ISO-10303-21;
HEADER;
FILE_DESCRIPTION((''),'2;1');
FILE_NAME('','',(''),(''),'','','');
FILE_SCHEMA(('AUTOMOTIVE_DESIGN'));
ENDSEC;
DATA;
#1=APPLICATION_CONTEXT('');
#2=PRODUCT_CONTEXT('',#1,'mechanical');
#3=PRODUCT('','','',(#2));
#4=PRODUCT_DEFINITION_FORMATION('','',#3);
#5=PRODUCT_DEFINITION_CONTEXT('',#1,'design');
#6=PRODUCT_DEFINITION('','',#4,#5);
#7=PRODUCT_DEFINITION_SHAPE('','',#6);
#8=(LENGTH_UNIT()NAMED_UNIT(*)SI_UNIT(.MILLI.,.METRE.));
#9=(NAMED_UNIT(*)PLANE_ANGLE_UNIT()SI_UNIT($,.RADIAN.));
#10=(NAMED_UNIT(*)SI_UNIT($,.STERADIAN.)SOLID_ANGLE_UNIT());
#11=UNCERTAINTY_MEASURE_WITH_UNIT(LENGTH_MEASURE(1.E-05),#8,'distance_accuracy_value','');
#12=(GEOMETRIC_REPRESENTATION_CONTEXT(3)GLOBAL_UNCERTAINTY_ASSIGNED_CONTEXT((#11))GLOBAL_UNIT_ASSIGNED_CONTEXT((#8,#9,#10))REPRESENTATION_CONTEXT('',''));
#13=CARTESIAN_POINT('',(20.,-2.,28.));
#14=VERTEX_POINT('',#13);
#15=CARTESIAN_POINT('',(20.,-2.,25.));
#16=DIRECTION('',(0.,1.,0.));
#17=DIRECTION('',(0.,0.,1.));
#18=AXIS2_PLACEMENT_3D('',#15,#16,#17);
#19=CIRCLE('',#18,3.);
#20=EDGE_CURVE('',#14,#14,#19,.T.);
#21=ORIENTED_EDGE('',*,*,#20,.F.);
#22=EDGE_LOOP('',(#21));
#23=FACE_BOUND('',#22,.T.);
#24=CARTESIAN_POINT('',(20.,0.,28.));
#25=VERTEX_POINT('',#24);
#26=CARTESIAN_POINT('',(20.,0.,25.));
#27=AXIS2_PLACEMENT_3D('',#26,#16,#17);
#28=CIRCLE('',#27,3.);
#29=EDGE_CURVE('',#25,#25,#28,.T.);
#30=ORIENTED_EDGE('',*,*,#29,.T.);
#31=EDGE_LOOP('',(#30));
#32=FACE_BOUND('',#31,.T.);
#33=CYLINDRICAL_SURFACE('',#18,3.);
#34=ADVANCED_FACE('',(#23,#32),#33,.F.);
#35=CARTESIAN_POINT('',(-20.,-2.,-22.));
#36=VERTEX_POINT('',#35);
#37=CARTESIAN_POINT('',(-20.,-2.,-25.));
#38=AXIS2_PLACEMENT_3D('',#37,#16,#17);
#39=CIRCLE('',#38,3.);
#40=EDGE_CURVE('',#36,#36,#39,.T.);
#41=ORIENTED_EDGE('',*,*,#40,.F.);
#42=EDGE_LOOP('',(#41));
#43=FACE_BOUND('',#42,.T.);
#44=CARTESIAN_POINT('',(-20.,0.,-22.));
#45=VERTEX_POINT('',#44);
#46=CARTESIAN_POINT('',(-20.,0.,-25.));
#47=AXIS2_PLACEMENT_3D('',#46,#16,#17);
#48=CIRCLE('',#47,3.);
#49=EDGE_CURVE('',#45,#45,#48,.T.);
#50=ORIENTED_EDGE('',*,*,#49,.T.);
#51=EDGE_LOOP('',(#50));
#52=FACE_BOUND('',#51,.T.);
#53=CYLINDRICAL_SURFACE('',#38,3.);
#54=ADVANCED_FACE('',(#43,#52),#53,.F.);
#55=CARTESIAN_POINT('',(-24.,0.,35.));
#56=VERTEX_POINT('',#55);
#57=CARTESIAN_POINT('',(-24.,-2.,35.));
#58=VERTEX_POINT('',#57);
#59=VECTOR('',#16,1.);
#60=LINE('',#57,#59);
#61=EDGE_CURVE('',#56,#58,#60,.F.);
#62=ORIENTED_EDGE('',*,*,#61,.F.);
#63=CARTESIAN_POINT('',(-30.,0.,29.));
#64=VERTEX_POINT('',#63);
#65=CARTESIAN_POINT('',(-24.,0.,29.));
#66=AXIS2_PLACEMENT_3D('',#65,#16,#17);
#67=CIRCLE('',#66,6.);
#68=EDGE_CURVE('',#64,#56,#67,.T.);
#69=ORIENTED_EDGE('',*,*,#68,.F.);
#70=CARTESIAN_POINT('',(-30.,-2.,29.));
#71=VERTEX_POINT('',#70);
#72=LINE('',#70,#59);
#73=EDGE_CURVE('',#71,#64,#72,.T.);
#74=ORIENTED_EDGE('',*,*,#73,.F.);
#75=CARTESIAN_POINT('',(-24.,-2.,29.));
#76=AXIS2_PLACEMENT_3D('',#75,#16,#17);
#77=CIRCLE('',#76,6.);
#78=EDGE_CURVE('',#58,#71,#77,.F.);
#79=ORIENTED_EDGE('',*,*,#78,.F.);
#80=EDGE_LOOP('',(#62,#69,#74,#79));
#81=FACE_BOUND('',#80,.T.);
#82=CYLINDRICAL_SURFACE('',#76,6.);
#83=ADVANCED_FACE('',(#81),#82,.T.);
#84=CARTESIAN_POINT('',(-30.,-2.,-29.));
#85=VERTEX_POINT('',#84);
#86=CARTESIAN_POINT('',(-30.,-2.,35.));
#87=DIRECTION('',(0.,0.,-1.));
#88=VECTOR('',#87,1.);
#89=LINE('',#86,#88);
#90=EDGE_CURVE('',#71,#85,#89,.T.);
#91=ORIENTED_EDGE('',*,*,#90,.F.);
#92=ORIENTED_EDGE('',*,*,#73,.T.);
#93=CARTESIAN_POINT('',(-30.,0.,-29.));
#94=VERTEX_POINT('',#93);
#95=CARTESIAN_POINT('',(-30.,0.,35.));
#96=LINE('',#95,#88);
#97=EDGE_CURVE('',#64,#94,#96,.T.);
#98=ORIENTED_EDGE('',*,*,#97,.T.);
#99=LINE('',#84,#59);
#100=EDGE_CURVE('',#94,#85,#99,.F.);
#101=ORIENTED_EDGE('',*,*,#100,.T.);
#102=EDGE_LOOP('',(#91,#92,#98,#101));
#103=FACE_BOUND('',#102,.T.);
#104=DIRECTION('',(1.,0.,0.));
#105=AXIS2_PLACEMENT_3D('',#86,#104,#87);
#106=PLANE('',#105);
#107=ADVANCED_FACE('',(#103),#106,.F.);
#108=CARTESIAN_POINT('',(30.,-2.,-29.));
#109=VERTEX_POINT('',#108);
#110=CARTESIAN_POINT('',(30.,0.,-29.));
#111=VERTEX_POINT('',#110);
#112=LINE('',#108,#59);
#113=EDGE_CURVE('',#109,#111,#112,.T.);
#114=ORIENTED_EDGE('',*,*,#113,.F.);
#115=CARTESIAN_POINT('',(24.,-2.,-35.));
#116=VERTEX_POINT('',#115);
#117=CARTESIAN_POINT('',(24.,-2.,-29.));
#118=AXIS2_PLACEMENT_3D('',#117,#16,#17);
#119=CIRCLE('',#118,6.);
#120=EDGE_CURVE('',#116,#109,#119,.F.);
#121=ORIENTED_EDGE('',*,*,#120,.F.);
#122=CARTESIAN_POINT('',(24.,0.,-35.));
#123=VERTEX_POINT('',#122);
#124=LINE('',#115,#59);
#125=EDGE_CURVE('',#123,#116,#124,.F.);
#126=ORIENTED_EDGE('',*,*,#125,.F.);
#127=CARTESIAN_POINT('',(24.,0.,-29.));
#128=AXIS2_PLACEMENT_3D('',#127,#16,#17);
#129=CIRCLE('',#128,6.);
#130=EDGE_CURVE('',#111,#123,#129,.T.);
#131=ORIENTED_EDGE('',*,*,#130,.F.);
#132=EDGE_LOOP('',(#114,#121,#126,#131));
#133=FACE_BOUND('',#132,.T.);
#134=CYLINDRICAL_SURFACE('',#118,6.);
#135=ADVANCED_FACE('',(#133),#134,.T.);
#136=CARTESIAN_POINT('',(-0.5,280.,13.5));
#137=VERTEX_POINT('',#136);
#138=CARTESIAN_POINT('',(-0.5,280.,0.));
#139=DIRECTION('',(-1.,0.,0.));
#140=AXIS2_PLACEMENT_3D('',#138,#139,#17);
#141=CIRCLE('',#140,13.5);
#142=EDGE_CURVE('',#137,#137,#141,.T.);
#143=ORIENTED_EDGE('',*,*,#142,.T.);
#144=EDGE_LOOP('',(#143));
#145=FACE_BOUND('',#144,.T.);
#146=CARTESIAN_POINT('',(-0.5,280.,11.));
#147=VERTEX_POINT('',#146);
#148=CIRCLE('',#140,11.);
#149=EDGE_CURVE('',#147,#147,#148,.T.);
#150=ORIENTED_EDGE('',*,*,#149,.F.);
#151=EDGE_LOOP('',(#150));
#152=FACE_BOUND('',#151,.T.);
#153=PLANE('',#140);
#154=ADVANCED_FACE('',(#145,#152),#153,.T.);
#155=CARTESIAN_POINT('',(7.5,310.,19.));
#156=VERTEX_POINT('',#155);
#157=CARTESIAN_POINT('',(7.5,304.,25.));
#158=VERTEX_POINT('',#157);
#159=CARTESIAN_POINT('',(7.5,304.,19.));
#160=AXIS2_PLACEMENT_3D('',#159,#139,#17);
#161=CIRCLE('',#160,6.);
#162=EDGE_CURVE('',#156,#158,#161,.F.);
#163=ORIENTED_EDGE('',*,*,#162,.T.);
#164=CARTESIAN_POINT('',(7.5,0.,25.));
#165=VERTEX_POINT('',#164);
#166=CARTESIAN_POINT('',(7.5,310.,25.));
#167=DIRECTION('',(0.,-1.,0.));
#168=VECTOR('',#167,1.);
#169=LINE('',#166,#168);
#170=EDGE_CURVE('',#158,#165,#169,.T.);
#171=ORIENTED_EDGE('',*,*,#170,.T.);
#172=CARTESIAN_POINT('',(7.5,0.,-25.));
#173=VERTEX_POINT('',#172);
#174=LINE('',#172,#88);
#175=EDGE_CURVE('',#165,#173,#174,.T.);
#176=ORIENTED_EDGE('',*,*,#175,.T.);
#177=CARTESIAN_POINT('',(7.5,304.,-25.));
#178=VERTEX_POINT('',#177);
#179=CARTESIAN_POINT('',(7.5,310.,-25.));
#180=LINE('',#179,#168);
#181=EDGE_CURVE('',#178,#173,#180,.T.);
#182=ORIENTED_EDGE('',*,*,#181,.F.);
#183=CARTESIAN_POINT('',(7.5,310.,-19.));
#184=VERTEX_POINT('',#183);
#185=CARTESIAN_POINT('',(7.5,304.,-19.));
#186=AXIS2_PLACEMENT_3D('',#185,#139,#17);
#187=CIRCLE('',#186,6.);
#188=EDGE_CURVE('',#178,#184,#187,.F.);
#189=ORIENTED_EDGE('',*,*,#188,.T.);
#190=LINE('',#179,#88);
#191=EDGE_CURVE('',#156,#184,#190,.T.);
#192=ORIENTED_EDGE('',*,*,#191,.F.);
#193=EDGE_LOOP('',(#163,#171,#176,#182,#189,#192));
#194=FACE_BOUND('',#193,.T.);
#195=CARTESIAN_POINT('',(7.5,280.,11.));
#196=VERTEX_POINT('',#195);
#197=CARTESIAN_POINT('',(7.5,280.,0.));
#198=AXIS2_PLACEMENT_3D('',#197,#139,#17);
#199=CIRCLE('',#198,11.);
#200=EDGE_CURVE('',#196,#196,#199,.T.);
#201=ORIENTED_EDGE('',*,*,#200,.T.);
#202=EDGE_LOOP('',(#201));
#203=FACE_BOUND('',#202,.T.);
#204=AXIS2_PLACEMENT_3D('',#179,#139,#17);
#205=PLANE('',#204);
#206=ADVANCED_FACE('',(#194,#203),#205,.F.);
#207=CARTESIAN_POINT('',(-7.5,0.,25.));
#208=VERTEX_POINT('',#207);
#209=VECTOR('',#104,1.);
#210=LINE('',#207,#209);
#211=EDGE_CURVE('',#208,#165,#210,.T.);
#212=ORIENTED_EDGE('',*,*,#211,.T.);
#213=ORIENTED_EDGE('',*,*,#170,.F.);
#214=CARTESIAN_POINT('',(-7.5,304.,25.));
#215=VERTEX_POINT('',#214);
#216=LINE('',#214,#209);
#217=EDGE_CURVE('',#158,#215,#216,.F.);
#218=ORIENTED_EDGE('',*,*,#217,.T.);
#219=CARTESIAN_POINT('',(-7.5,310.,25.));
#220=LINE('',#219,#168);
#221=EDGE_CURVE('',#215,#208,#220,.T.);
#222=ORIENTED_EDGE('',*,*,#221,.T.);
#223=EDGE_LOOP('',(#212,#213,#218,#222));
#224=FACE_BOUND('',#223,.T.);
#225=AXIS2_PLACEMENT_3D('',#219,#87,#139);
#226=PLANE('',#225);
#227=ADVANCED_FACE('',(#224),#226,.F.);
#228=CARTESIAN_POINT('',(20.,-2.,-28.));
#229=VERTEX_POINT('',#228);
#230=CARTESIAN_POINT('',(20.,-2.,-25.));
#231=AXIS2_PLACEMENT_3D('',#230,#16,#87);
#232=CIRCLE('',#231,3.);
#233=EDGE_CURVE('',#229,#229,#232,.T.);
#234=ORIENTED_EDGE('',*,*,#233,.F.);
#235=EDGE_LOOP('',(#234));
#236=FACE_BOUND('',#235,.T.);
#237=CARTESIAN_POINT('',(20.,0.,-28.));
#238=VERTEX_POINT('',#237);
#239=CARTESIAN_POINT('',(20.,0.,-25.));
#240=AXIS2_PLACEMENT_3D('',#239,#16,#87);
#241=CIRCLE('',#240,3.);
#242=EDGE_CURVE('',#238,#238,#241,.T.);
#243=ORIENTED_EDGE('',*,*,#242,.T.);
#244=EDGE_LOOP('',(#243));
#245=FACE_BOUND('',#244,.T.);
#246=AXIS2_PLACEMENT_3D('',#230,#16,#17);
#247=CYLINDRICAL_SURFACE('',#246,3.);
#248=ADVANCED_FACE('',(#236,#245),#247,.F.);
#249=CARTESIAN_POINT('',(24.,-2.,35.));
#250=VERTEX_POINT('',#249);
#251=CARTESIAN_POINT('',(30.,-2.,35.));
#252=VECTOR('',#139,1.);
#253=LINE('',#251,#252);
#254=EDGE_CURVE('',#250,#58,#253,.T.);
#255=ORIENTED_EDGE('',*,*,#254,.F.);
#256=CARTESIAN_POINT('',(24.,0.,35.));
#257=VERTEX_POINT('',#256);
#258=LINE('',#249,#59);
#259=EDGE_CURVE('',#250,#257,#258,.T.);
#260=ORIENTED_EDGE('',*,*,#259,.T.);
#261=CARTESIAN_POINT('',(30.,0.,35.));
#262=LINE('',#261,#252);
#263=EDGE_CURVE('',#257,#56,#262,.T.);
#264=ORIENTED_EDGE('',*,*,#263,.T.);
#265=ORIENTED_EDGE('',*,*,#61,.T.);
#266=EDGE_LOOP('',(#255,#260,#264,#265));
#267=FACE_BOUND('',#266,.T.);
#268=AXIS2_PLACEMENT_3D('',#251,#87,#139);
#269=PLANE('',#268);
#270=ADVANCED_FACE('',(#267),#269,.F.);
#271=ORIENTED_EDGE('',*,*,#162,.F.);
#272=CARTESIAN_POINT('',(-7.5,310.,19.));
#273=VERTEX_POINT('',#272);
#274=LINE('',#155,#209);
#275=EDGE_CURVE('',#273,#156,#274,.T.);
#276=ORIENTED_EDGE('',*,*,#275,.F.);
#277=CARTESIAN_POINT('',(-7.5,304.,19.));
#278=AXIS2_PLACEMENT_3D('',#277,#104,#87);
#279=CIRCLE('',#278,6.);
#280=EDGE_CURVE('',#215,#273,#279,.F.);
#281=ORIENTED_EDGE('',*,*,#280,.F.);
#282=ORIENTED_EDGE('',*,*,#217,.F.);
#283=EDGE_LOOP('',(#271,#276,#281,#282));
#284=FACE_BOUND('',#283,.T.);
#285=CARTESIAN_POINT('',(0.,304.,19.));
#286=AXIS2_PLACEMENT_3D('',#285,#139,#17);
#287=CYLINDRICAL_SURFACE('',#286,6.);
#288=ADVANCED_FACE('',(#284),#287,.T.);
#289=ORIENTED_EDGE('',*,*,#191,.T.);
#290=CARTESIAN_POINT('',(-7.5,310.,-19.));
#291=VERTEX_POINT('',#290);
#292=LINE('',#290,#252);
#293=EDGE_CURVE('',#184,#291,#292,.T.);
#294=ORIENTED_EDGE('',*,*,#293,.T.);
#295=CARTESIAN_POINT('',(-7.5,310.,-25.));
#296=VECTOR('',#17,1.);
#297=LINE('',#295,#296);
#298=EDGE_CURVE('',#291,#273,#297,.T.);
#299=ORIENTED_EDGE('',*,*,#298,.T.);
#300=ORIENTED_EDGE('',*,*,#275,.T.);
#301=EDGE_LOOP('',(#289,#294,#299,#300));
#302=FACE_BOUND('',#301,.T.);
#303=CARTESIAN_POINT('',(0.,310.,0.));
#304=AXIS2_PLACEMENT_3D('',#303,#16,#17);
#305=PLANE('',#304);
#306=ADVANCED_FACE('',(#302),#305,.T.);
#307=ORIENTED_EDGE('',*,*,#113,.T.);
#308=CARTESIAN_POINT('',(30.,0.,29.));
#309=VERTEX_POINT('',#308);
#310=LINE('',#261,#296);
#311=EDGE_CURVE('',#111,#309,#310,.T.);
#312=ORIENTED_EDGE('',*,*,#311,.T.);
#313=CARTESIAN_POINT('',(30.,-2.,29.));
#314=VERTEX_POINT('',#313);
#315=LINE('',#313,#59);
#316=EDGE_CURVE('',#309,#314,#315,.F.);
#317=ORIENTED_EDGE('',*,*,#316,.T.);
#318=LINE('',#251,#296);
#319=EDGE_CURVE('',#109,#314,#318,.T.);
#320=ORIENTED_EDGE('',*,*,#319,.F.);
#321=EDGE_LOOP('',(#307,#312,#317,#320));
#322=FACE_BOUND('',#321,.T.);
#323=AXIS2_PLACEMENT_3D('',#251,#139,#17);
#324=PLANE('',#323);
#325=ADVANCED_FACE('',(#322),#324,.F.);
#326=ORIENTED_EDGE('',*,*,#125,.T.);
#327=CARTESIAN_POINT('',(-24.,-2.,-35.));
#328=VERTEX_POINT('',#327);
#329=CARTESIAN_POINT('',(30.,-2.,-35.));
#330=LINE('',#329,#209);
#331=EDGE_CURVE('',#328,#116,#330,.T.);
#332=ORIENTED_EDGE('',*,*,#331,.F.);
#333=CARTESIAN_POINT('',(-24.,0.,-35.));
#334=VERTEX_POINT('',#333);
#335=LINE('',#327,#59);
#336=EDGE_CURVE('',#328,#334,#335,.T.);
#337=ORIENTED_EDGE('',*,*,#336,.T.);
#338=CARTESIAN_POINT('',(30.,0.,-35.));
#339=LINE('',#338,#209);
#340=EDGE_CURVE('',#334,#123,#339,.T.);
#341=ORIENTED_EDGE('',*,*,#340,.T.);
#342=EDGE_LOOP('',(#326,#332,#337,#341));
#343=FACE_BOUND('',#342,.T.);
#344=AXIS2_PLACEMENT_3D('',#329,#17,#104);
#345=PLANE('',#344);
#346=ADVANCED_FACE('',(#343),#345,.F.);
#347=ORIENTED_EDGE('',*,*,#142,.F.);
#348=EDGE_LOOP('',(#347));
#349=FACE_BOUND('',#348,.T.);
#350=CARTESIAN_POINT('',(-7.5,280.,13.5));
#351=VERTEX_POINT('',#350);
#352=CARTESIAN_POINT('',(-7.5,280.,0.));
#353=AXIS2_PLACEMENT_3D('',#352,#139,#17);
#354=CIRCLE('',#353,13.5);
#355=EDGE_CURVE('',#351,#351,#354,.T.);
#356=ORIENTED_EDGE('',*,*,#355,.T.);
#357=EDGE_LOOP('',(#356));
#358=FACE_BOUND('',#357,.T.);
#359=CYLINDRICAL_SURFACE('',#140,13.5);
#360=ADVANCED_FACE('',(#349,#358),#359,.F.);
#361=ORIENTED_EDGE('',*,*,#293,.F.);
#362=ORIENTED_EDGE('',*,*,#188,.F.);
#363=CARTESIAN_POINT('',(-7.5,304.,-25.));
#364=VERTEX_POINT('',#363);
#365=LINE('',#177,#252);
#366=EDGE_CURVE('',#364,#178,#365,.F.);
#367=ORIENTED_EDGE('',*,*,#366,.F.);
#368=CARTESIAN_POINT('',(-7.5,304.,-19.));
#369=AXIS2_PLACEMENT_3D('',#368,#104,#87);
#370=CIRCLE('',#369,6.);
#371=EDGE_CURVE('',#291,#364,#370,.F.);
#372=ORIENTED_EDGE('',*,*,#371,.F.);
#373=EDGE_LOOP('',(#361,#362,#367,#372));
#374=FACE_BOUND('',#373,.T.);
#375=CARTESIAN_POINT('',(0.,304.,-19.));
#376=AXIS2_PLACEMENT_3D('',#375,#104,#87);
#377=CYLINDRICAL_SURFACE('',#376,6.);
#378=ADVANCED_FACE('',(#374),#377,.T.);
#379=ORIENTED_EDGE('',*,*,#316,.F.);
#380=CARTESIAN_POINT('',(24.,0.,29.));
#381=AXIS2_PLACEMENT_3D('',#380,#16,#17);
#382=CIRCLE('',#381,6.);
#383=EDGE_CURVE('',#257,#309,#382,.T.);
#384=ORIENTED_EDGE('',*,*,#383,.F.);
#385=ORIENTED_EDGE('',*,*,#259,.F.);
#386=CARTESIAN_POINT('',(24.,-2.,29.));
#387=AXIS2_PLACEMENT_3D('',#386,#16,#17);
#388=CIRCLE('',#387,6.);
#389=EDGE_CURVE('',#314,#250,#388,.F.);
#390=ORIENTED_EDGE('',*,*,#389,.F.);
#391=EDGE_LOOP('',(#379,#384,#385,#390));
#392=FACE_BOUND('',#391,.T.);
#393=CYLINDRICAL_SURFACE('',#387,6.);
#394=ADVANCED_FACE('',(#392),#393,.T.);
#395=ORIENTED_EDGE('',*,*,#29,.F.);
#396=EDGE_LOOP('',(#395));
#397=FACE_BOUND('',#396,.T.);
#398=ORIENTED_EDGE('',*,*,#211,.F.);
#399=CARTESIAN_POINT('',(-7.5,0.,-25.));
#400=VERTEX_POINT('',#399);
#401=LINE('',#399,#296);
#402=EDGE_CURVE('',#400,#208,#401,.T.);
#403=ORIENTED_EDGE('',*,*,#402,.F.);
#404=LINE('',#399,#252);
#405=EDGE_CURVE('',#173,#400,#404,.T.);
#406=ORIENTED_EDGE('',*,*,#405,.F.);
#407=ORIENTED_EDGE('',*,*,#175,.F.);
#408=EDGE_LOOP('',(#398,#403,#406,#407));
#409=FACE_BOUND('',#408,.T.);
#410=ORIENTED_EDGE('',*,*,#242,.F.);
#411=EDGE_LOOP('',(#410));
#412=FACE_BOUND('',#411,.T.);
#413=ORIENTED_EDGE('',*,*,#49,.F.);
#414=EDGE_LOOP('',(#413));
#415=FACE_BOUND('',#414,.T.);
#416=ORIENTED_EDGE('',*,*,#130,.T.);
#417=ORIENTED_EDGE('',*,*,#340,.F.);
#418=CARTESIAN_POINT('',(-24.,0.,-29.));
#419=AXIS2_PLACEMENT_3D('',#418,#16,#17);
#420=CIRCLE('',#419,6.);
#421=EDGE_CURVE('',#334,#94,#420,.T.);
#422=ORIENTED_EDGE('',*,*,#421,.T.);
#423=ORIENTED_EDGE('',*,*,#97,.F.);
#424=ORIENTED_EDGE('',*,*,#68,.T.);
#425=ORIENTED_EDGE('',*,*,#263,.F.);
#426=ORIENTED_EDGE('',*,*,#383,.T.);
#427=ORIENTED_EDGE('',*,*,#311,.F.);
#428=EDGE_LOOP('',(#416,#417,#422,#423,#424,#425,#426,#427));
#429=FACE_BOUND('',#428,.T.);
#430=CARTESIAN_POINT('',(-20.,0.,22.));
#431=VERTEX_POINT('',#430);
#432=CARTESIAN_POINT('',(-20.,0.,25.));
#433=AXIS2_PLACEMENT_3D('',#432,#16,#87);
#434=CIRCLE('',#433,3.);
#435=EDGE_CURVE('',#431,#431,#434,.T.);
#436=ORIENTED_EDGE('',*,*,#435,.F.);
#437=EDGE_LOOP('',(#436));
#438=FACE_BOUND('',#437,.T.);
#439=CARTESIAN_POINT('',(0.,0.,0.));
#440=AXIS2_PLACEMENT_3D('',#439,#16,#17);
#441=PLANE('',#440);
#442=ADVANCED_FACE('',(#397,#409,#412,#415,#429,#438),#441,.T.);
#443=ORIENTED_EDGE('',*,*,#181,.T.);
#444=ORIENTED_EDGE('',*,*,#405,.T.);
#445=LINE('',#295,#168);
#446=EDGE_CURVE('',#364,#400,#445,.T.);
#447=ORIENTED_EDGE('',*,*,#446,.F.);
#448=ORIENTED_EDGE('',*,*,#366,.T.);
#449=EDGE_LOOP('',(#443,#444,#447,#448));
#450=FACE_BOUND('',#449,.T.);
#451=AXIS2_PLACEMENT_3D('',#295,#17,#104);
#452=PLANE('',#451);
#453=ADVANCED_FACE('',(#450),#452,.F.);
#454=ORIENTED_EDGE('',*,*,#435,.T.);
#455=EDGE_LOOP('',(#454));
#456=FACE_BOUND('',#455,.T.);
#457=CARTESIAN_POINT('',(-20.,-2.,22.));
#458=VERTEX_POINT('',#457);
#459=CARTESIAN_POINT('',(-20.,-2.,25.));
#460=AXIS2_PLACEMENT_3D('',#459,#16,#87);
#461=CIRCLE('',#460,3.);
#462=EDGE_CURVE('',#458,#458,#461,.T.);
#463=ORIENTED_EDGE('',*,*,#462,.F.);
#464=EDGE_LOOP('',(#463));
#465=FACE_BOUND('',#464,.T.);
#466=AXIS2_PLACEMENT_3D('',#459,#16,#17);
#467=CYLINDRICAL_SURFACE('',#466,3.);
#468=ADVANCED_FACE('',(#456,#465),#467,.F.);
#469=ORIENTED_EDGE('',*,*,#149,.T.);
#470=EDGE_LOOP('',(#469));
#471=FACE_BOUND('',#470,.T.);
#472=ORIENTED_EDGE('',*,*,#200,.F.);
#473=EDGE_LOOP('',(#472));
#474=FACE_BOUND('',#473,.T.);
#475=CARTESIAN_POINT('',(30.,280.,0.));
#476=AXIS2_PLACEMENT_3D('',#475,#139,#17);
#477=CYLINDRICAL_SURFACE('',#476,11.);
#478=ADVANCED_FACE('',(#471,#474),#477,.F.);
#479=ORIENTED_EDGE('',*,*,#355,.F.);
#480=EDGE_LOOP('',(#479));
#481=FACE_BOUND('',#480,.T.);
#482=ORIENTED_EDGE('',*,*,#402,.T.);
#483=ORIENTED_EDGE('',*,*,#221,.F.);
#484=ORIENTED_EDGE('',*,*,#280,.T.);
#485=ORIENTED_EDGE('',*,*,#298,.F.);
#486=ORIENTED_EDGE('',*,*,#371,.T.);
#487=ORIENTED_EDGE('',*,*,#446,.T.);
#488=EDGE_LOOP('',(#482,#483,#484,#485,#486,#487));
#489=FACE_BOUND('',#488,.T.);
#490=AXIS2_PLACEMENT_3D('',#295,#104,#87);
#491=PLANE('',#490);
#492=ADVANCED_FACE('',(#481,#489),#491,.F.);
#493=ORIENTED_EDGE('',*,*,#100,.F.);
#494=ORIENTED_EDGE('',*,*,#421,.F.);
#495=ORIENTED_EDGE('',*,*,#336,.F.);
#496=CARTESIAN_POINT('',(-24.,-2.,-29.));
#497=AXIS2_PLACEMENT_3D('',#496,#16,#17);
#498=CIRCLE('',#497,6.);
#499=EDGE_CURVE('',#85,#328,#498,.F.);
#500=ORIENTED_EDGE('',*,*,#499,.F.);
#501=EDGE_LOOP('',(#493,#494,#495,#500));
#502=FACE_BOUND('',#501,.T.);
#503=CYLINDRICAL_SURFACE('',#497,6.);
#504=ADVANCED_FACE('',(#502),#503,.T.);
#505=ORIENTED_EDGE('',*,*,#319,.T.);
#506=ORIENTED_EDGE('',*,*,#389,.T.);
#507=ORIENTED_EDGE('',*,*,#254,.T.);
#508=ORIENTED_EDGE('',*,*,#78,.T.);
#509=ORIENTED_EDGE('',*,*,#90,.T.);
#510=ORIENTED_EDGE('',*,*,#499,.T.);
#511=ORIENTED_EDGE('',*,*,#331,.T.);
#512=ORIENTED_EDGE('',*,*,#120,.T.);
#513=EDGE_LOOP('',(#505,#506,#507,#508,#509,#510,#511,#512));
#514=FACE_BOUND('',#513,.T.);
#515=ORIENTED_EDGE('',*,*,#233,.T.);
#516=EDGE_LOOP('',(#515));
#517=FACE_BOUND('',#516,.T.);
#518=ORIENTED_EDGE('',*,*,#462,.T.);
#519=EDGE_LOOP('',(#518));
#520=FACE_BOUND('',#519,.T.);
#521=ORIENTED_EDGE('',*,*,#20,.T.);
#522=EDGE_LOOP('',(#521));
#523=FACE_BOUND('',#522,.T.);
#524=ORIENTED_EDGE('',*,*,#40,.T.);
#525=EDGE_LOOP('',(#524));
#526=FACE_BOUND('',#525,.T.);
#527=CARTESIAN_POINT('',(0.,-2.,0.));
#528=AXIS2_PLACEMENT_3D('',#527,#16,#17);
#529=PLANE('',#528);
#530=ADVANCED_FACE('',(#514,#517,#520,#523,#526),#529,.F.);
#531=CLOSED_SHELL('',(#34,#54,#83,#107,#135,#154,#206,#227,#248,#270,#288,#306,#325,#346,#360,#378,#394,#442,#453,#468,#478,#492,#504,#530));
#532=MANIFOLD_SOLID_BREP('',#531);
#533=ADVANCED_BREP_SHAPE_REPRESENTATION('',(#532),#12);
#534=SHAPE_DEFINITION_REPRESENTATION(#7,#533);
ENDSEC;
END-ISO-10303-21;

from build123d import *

# Parameters (mm, degrees)
SKETCH1_W           = 15
SKETCH1_H           = 50
BOSS_EXTRUDE1_DEPTH = 310
SKETCH2_W           = 60
SKETCH2_H           = 70
BOSS_EXTRUDE2_DEPTH = 2
SKETCH4_R           = 3
CUT_EXTRUDE1_DEPTH  = 2
FILLET1_R           = 6
SKETCH5_R           = 13.5
CUT_EXTRUDE2_DEPTH  = 7
SKETCH6_R           = 11
CUT_EXTRUDE3_DEPTH  = 314.456934841
FILLET2_R           = 6


with BuildPart() as part:
    # Sketch1 → Boss-Extrude1 (new body)
    with BuildSketch(Plane(origin=(0, 0, 0), x_dir=(1, 0, 0), z_dir=(0, 1, 0))):
        Rectangle(SKETCH1_W, SKETCH1_H)
    extrude(amount=BOSS_EXTRUDE1_DEPTH)

    # Sketch2 → Boss-Extrude2 (add)
    with BuildSketch(Plane(origin=(0, 0, 0), x_dir=(-1, 0, 0), z_dir=(0, -1, 0))):
        Rectangle(SKETCH2_W, SKETCH2_H)
    extrude(amount=BOSS_EXTRUDE2_DEPTH)

    # Sketch4 → Cut-Extrude1 (cut)
    with BuildSketch(Plane(origin=(0, 0, 0), x_dir=(1, 0, 0), z_dir=(0, 1, 0))):
        with Locations(Location((20, -25, 0), (0, 0, 270))):
            Circle(SKETCH4_R)
        with Locations(Location((-20, -25, 0), (0, 0, 90))):
            Circle(SKETCH4_R)
        with Locations(Location((-20, 25, 0), (0, 0, 270))):
            Circle(SKETCH4_R)
        with Locations(Location((20, 25, 0), (0, 0, 90))):
            Circle(SKETCH4_R)
    extrude(amount=-CUT_EXTRUDE1_DEPTH, mode=Mode.SUBTRACT)

    # Fillet1
    fillet1_edges = [part.edges().sort_by_distance(p)[0] for p in [
        (-30, -1, 35),
        (-30, -1, -35),
        (30, -1, -35),
        (30, -1, 35),
    ]]
    fillet(fillet1_edges, radius=FILLET1_R)

    # Sketch5 → Cut-Extrude2 (cut)
    with BuildSketch(Plane.ZY.offset(7.5)):
        with Locations((0, 280)):
            Circle(SKETCH5_R)
    extrude(amount=-CUT_EXTRUDE2_DEPTH, mode=Mode.SUBTRACT)

    # Sketch6 → Cut-Extrude3 (cut, through all)
    with BuildSketch(Plane.ZY.offset(0.5)):
        with Locations((0, 280)):
            Circle(SKETCH6_R)
    extrude(amount=-CUT_EXTRUDE3_DEPTH, mode=Mode.SUBTRACT)

    # Fillet2
    fillet2_edges = [part.edges().sort_by_distance(p)[0] for p in [
        (0, 310, 25),
        (0, 310, -25),
    ]]
    fillet(fillet2_edges, radius=FILLET2_R)


solid = part.part
